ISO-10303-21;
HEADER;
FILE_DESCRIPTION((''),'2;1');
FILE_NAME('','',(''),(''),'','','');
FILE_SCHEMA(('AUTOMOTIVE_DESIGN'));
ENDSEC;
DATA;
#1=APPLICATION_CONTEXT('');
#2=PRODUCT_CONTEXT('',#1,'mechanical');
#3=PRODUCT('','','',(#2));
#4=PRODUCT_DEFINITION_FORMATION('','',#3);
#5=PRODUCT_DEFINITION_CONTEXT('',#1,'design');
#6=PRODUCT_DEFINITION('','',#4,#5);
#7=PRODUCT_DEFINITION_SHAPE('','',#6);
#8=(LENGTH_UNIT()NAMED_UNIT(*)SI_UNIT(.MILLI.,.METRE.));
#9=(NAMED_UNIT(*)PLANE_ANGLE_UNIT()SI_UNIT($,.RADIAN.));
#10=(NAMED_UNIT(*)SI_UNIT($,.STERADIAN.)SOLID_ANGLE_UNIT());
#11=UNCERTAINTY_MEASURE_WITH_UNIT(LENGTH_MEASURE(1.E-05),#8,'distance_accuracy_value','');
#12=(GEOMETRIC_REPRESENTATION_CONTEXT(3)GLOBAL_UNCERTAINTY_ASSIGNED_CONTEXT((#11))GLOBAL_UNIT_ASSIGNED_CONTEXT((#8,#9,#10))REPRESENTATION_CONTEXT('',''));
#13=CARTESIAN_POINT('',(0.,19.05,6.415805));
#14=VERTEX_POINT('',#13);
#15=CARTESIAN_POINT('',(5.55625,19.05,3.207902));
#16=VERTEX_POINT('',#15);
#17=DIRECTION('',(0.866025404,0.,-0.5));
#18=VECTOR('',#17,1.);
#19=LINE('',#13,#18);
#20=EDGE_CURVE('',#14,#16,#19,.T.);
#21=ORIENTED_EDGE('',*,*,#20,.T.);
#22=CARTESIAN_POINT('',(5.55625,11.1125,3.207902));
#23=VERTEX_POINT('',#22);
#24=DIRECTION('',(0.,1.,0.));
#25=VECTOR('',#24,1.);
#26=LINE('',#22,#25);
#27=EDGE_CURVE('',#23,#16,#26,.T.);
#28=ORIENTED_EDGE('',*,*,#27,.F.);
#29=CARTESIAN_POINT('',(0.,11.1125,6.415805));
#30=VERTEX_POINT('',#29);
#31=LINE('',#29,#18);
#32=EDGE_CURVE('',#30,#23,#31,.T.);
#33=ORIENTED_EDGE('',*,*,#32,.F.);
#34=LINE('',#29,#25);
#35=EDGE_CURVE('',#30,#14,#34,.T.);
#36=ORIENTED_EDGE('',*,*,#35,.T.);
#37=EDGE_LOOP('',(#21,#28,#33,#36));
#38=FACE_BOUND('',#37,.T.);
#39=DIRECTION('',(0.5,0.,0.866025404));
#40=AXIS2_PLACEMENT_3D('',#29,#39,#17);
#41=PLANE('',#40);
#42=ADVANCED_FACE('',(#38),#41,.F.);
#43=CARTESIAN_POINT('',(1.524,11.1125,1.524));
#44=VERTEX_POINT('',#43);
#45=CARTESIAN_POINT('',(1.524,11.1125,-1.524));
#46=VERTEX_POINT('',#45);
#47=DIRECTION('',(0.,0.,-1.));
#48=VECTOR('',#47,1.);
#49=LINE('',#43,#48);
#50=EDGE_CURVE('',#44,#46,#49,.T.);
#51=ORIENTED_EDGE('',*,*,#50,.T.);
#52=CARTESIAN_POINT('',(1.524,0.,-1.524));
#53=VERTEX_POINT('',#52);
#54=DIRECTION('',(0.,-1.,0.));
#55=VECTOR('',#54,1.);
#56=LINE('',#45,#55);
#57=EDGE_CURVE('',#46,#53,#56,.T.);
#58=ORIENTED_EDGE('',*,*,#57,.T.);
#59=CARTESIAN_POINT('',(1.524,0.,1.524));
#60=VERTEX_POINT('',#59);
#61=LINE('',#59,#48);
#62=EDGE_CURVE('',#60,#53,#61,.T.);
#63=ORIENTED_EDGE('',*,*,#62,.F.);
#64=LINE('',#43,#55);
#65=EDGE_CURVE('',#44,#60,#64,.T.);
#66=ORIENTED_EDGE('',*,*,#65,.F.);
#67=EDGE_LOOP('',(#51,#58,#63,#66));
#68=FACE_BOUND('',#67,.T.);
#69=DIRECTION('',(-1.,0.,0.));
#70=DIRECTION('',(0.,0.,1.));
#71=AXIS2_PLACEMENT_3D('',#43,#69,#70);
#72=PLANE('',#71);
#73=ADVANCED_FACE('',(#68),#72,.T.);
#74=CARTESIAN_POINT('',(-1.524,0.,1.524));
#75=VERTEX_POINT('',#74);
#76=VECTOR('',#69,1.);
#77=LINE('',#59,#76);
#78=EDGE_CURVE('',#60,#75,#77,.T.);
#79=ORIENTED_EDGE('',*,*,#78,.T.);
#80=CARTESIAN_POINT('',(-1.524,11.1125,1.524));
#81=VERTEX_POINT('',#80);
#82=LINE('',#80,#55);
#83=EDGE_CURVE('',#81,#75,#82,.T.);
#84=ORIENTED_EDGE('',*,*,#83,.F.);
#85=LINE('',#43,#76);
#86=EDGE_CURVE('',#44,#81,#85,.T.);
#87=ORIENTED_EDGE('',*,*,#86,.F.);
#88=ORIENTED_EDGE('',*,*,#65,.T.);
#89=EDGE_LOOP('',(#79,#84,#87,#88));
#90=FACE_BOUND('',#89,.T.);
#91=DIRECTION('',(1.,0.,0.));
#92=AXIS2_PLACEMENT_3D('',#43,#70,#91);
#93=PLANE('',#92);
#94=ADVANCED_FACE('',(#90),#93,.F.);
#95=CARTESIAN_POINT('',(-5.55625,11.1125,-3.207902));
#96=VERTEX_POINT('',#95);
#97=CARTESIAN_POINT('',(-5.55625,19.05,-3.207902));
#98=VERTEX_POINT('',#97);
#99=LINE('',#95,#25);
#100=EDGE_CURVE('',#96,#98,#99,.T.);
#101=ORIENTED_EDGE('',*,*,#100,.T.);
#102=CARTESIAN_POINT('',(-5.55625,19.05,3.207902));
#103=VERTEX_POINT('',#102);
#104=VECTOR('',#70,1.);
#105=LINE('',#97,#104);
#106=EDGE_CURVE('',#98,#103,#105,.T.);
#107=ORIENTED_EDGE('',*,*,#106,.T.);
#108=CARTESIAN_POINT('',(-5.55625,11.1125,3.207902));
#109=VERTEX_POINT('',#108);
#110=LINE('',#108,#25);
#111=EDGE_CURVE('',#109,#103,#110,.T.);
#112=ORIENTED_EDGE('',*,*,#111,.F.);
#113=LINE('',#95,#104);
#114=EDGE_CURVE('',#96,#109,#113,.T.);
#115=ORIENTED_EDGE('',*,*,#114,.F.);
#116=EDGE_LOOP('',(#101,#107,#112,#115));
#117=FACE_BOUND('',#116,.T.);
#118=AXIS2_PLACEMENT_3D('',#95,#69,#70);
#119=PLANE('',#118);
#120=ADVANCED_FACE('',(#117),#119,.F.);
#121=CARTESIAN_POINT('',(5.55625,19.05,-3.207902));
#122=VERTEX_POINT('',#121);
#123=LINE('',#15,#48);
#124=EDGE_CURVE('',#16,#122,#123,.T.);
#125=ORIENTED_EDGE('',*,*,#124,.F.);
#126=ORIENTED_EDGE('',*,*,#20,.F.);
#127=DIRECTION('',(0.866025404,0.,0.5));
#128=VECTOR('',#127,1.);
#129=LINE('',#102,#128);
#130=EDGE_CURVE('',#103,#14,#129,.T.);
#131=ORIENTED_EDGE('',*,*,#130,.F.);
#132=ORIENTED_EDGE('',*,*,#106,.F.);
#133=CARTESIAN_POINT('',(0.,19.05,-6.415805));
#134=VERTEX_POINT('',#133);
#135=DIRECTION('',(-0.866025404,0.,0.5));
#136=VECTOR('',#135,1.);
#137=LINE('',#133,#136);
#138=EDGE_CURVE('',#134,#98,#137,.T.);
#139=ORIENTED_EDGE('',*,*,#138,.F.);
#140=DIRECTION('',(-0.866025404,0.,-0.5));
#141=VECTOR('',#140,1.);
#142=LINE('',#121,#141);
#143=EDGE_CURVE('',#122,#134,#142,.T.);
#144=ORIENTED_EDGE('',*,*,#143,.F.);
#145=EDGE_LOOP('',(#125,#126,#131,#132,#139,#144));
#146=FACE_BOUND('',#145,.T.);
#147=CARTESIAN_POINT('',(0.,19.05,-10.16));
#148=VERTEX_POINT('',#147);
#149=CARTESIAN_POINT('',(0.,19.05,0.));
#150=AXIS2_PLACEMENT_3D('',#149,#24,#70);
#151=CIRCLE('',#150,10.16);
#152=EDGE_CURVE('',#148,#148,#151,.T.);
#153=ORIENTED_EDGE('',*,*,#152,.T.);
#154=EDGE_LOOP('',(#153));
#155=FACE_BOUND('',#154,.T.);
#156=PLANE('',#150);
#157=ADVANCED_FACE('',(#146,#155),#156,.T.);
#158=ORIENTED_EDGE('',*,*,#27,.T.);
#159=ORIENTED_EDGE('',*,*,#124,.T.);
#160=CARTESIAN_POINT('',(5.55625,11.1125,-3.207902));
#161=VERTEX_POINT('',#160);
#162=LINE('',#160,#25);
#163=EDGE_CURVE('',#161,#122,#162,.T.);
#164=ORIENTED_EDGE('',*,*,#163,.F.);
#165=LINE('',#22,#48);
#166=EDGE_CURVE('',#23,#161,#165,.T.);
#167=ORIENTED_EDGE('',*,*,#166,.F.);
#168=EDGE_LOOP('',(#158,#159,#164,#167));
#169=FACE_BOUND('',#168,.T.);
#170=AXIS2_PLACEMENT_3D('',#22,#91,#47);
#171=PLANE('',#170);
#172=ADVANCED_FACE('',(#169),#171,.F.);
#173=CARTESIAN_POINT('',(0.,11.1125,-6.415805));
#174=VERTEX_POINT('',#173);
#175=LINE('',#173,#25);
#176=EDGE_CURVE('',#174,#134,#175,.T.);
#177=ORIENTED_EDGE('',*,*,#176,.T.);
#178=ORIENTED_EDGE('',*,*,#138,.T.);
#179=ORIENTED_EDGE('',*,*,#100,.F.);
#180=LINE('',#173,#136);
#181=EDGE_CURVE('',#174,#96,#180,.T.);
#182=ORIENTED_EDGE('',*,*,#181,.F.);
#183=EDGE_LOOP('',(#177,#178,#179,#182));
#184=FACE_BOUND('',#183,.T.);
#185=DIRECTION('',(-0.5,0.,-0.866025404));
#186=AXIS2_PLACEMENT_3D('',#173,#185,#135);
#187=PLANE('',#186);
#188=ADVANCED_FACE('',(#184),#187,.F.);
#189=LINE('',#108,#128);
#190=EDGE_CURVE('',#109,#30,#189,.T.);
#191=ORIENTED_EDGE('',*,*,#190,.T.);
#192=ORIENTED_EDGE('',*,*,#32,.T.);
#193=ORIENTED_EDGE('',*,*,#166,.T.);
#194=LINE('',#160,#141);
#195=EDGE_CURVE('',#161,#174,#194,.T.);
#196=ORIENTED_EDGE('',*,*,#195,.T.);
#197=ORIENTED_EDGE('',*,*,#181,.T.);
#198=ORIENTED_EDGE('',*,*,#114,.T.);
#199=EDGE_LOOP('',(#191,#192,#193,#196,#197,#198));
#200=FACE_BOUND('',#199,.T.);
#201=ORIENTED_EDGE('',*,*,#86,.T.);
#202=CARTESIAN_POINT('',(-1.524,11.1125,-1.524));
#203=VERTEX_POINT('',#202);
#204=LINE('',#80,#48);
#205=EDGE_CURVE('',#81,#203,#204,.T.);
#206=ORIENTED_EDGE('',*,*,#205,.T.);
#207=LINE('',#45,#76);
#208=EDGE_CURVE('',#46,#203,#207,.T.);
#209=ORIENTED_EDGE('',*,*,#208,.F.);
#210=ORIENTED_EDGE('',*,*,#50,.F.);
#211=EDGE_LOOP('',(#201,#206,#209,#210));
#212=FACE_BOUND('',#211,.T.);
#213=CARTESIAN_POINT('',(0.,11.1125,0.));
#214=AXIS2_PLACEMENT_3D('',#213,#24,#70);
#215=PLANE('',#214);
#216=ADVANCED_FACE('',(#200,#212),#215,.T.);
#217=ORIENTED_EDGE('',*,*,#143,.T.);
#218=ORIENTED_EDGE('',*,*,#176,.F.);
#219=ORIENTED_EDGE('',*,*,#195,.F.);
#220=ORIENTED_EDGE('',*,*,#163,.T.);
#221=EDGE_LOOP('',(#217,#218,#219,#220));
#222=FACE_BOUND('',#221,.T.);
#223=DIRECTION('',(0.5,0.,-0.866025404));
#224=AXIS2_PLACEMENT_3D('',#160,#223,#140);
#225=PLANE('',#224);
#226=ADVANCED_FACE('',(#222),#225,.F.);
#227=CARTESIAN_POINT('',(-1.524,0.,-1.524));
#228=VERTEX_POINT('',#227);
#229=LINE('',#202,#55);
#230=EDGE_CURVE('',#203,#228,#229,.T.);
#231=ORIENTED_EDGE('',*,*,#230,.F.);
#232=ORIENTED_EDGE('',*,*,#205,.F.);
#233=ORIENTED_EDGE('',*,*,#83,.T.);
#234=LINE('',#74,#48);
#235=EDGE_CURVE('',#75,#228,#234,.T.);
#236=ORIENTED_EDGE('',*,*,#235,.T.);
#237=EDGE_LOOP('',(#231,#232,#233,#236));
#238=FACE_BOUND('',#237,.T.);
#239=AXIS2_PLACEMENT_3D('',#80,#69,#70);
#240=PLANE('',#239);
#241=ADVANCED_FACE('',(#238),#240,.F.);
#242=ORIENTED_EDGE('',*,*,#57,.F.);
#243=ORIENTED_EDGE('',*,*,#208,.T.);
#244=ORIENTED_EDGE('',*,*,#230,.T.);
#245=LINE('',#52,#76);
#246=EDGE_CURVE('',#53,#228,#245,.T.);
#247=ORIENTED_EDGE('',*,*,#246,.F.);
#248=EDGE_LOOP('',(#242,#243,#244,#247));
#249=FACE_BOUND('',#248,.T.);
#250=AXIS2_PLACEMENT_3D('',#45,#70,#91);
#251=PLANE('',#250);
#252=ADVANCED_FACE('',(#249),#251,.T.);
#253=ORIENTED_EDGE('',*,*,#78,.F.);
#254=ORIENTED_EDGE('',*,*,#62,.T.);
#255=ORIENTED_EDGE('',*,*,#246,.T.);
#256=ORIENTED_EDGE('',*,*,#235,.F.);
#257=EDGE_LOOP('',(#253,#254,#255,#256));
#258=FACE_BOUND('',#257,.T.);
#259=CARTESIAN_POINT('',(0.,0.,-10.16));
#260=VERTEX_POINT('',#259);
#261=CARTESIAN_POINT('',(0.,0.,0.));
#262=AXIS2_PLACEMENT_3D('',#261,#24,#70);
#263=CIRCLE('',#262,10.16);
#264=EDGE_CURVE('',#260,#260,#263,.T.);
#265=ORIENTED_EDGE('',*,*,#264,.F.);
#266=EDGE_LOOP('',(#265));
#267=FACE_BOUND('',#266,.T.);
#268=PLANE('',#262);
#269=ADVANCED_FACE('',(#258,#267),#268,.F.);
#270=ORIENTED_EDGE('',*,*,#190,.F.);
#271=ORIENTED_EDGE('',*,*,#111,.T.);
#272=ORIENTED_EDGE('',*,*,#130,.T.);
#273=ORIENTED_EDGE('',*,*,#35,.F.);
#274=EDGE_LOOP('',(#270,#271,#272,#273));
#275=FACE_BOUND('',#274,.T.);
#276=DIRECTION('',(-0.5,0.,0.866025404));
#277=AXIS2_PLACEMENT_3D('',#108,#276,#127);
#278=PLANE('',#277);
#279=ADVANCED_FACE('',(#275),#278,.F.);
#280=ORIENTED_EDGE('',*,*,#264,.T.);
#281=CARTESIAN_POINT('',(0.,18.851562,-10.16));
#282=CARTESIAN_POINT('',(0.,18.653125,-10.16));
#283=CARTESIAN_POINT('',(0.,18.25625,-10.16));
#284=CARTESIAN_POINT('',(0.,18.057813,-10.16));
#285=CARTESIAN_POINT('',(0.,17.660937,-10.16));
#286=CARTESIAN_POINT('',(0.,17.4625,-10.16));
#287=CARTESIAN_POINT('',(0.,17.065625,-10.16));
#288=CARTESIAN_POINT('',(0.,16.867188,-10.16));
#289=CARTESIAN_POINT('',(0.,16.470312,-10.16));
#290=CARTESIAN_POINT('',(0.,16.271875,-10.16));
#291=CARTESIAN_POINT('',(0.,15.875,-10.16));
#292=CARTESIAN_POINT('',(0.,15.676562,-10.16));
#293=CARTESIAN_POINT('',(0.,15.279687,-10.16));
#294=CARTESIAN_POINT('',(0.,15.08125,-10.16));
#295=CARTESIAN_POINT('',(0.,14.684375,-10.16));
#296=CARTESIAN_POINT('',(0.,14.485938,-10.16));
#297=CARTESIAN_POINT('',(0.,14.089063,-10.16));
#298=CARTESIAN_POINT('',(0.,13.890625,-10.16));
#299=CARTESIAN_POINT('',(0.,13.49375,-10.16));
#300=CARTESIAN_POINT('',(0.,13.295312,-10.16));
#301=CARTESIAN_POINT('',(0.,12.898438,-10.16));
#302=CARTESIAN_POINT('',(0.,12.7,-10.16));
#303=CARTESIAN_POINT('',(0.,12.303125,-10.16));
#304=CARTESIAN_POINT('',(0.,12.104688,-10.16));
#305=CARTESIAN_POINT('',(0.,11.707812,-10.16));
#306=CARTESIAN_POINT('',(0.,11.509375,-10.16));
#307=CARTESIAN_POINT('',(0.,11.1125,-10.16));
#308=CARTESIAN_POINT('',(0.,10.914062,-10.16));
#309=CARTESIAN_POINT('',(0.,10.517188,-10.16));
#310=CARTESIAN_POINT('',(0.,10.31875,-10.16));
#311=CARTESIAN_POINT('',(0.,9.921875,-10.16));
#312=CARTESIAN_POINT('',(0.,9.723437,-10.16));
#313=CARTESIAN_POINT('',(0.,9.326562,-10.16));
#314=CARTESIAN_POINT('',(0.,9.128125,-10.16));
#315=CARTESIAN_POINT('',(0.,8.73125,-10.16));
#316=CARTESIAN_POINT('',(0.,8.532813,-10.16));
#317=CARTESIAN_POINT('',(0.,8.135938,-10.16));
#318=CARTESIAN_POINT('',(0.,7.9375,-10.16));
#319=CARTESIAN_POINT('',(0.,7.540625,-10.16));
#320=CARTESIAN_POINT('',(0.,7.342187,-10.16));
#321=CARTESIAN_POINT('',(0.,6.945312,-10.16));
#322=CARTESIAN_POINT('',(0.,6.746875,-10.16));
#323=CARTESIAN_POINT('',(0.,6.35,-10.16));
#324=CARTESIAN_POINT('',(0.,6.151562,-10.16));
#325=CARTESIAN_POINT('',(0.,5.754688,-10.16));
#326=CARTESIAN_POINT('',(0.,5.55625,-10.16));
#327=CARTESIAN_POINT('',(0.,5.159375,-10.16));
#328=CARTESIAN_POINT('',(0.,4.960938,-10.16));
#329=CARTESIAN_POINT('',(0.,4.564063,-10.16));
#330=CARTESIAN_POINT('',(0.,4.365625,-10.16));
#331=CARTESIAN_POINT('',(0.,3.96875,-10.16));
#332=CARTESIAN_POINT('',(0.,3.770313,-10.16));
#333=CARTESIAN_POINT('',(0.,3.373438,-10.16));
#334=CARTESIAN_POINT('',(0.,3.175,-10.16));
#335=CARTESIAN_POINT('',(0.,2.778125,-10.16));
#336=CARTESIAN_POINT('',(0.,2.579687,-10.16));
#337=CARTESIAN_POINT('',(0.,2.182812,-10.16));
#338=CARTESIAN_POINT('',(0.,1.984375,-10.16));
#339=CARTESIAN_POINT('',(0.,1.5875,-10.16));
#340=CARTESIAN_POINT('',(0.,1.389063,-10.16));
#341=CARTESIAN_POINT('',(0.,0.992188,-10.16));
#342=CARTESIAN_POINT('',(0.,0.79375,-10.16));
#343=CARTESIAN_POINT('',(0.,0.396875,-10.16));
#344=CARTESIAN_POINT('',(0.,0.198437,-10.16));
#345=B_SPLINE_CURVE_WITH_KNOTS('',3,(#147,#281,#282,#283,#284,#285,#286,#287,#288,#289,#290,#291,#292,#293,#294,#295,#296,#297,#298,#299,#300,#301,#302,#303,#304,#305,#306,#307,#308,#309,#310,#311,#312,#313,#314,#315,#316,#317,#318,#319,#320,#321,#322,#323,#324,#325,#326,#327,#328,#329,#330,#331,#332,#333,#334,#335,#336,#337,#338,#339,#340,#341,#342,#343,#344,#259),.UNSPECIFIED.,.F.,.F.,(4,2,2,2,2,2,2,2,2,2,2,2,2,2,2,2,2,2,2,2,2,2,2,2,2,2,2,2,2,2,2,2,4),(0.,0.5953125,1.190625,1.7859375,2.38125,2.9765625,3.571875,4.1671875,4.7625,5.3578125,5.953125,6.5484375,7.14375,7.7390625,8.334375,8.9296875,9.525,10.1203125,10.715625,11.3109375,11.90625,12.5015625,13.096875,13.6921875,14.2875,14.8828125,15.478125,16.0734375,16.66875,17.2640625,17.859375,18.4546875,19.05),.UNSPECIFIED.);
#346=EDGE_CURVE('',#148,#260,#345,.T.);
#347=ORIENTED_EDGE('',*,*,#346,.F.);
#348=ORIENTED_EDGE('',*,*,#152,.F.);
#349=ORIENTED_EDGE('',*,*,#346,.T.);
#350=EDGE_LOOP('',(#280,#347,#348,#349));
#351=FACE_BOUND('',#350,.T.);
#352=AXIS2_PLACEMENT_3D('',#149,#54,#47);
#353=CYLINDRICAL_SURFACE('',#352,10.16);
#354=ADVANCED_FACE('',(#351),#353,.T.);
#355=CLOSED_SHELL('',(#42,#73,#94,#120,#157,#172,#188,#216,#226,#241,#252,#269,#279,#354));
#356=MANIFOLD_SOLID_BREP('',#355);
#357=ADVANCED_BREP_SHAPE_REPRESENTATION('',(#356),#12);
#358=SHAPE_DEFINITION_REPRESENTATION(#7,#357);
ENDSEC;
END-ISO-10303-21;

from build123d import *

# Parameters (mm, degrees)
SKETCH1_R           = 10.16
BOSS_EXTRUDE1_DEPTH = 19.05
CUT_EXTRUDE1_DEPTH  = 7.9375
SKETCH2_W           = 3.048
SKETCH2_H           = 3.048
CUT_EXTRUDE2_DEPTH  = 11.1125


with BuildPart() as part:
    # Sketch1 → Boss-Extrude1 (new body)
    with BuildSketch(Plane(origin=(0, 0, 0), x_dir=(1, 0, 0), z_dir=(0, 1, 0))):
        with Locations(Location((0, 0, 0), (0, 0, 90))):
            Circle(SKETCH1_R)
    extrude(amount=BOSS_EXTRUDE1_DEPTH)

    # Sketch3 → Cut-Extrude1 (cut)
    with BuildSketch(Plane(origin=(0, 19.05, 0), x_dir=(1, 0, 0), z_dir=(0, 1, 0))):
        Polygon((0, -6.415804866), (5.55625, -3.207902433), (5.55625, 3.207902433), (0, 6.415804866), (-5.55625, 3.207902433), (-5.55625, -3.207902433), align=None)
    extrude(amount=-CUT_EXTRUDE1_DEPTH, mode=Mode.SUBTRACT)

    # Sketch2 → Cut-Extrude2 (cut)
    with BuildSketch(Plane(origin=(0, 0, 0), x_dir=(-1, 0, 0), z_dir=(0, -1, 0))):
        Rectangle(SKETCH2_W, SKETCH2_H)
    extrude(amount=-CUT_EXTRUDE2_DEPTH, mode=Mode.SUBTRACT)


solid = part.part
